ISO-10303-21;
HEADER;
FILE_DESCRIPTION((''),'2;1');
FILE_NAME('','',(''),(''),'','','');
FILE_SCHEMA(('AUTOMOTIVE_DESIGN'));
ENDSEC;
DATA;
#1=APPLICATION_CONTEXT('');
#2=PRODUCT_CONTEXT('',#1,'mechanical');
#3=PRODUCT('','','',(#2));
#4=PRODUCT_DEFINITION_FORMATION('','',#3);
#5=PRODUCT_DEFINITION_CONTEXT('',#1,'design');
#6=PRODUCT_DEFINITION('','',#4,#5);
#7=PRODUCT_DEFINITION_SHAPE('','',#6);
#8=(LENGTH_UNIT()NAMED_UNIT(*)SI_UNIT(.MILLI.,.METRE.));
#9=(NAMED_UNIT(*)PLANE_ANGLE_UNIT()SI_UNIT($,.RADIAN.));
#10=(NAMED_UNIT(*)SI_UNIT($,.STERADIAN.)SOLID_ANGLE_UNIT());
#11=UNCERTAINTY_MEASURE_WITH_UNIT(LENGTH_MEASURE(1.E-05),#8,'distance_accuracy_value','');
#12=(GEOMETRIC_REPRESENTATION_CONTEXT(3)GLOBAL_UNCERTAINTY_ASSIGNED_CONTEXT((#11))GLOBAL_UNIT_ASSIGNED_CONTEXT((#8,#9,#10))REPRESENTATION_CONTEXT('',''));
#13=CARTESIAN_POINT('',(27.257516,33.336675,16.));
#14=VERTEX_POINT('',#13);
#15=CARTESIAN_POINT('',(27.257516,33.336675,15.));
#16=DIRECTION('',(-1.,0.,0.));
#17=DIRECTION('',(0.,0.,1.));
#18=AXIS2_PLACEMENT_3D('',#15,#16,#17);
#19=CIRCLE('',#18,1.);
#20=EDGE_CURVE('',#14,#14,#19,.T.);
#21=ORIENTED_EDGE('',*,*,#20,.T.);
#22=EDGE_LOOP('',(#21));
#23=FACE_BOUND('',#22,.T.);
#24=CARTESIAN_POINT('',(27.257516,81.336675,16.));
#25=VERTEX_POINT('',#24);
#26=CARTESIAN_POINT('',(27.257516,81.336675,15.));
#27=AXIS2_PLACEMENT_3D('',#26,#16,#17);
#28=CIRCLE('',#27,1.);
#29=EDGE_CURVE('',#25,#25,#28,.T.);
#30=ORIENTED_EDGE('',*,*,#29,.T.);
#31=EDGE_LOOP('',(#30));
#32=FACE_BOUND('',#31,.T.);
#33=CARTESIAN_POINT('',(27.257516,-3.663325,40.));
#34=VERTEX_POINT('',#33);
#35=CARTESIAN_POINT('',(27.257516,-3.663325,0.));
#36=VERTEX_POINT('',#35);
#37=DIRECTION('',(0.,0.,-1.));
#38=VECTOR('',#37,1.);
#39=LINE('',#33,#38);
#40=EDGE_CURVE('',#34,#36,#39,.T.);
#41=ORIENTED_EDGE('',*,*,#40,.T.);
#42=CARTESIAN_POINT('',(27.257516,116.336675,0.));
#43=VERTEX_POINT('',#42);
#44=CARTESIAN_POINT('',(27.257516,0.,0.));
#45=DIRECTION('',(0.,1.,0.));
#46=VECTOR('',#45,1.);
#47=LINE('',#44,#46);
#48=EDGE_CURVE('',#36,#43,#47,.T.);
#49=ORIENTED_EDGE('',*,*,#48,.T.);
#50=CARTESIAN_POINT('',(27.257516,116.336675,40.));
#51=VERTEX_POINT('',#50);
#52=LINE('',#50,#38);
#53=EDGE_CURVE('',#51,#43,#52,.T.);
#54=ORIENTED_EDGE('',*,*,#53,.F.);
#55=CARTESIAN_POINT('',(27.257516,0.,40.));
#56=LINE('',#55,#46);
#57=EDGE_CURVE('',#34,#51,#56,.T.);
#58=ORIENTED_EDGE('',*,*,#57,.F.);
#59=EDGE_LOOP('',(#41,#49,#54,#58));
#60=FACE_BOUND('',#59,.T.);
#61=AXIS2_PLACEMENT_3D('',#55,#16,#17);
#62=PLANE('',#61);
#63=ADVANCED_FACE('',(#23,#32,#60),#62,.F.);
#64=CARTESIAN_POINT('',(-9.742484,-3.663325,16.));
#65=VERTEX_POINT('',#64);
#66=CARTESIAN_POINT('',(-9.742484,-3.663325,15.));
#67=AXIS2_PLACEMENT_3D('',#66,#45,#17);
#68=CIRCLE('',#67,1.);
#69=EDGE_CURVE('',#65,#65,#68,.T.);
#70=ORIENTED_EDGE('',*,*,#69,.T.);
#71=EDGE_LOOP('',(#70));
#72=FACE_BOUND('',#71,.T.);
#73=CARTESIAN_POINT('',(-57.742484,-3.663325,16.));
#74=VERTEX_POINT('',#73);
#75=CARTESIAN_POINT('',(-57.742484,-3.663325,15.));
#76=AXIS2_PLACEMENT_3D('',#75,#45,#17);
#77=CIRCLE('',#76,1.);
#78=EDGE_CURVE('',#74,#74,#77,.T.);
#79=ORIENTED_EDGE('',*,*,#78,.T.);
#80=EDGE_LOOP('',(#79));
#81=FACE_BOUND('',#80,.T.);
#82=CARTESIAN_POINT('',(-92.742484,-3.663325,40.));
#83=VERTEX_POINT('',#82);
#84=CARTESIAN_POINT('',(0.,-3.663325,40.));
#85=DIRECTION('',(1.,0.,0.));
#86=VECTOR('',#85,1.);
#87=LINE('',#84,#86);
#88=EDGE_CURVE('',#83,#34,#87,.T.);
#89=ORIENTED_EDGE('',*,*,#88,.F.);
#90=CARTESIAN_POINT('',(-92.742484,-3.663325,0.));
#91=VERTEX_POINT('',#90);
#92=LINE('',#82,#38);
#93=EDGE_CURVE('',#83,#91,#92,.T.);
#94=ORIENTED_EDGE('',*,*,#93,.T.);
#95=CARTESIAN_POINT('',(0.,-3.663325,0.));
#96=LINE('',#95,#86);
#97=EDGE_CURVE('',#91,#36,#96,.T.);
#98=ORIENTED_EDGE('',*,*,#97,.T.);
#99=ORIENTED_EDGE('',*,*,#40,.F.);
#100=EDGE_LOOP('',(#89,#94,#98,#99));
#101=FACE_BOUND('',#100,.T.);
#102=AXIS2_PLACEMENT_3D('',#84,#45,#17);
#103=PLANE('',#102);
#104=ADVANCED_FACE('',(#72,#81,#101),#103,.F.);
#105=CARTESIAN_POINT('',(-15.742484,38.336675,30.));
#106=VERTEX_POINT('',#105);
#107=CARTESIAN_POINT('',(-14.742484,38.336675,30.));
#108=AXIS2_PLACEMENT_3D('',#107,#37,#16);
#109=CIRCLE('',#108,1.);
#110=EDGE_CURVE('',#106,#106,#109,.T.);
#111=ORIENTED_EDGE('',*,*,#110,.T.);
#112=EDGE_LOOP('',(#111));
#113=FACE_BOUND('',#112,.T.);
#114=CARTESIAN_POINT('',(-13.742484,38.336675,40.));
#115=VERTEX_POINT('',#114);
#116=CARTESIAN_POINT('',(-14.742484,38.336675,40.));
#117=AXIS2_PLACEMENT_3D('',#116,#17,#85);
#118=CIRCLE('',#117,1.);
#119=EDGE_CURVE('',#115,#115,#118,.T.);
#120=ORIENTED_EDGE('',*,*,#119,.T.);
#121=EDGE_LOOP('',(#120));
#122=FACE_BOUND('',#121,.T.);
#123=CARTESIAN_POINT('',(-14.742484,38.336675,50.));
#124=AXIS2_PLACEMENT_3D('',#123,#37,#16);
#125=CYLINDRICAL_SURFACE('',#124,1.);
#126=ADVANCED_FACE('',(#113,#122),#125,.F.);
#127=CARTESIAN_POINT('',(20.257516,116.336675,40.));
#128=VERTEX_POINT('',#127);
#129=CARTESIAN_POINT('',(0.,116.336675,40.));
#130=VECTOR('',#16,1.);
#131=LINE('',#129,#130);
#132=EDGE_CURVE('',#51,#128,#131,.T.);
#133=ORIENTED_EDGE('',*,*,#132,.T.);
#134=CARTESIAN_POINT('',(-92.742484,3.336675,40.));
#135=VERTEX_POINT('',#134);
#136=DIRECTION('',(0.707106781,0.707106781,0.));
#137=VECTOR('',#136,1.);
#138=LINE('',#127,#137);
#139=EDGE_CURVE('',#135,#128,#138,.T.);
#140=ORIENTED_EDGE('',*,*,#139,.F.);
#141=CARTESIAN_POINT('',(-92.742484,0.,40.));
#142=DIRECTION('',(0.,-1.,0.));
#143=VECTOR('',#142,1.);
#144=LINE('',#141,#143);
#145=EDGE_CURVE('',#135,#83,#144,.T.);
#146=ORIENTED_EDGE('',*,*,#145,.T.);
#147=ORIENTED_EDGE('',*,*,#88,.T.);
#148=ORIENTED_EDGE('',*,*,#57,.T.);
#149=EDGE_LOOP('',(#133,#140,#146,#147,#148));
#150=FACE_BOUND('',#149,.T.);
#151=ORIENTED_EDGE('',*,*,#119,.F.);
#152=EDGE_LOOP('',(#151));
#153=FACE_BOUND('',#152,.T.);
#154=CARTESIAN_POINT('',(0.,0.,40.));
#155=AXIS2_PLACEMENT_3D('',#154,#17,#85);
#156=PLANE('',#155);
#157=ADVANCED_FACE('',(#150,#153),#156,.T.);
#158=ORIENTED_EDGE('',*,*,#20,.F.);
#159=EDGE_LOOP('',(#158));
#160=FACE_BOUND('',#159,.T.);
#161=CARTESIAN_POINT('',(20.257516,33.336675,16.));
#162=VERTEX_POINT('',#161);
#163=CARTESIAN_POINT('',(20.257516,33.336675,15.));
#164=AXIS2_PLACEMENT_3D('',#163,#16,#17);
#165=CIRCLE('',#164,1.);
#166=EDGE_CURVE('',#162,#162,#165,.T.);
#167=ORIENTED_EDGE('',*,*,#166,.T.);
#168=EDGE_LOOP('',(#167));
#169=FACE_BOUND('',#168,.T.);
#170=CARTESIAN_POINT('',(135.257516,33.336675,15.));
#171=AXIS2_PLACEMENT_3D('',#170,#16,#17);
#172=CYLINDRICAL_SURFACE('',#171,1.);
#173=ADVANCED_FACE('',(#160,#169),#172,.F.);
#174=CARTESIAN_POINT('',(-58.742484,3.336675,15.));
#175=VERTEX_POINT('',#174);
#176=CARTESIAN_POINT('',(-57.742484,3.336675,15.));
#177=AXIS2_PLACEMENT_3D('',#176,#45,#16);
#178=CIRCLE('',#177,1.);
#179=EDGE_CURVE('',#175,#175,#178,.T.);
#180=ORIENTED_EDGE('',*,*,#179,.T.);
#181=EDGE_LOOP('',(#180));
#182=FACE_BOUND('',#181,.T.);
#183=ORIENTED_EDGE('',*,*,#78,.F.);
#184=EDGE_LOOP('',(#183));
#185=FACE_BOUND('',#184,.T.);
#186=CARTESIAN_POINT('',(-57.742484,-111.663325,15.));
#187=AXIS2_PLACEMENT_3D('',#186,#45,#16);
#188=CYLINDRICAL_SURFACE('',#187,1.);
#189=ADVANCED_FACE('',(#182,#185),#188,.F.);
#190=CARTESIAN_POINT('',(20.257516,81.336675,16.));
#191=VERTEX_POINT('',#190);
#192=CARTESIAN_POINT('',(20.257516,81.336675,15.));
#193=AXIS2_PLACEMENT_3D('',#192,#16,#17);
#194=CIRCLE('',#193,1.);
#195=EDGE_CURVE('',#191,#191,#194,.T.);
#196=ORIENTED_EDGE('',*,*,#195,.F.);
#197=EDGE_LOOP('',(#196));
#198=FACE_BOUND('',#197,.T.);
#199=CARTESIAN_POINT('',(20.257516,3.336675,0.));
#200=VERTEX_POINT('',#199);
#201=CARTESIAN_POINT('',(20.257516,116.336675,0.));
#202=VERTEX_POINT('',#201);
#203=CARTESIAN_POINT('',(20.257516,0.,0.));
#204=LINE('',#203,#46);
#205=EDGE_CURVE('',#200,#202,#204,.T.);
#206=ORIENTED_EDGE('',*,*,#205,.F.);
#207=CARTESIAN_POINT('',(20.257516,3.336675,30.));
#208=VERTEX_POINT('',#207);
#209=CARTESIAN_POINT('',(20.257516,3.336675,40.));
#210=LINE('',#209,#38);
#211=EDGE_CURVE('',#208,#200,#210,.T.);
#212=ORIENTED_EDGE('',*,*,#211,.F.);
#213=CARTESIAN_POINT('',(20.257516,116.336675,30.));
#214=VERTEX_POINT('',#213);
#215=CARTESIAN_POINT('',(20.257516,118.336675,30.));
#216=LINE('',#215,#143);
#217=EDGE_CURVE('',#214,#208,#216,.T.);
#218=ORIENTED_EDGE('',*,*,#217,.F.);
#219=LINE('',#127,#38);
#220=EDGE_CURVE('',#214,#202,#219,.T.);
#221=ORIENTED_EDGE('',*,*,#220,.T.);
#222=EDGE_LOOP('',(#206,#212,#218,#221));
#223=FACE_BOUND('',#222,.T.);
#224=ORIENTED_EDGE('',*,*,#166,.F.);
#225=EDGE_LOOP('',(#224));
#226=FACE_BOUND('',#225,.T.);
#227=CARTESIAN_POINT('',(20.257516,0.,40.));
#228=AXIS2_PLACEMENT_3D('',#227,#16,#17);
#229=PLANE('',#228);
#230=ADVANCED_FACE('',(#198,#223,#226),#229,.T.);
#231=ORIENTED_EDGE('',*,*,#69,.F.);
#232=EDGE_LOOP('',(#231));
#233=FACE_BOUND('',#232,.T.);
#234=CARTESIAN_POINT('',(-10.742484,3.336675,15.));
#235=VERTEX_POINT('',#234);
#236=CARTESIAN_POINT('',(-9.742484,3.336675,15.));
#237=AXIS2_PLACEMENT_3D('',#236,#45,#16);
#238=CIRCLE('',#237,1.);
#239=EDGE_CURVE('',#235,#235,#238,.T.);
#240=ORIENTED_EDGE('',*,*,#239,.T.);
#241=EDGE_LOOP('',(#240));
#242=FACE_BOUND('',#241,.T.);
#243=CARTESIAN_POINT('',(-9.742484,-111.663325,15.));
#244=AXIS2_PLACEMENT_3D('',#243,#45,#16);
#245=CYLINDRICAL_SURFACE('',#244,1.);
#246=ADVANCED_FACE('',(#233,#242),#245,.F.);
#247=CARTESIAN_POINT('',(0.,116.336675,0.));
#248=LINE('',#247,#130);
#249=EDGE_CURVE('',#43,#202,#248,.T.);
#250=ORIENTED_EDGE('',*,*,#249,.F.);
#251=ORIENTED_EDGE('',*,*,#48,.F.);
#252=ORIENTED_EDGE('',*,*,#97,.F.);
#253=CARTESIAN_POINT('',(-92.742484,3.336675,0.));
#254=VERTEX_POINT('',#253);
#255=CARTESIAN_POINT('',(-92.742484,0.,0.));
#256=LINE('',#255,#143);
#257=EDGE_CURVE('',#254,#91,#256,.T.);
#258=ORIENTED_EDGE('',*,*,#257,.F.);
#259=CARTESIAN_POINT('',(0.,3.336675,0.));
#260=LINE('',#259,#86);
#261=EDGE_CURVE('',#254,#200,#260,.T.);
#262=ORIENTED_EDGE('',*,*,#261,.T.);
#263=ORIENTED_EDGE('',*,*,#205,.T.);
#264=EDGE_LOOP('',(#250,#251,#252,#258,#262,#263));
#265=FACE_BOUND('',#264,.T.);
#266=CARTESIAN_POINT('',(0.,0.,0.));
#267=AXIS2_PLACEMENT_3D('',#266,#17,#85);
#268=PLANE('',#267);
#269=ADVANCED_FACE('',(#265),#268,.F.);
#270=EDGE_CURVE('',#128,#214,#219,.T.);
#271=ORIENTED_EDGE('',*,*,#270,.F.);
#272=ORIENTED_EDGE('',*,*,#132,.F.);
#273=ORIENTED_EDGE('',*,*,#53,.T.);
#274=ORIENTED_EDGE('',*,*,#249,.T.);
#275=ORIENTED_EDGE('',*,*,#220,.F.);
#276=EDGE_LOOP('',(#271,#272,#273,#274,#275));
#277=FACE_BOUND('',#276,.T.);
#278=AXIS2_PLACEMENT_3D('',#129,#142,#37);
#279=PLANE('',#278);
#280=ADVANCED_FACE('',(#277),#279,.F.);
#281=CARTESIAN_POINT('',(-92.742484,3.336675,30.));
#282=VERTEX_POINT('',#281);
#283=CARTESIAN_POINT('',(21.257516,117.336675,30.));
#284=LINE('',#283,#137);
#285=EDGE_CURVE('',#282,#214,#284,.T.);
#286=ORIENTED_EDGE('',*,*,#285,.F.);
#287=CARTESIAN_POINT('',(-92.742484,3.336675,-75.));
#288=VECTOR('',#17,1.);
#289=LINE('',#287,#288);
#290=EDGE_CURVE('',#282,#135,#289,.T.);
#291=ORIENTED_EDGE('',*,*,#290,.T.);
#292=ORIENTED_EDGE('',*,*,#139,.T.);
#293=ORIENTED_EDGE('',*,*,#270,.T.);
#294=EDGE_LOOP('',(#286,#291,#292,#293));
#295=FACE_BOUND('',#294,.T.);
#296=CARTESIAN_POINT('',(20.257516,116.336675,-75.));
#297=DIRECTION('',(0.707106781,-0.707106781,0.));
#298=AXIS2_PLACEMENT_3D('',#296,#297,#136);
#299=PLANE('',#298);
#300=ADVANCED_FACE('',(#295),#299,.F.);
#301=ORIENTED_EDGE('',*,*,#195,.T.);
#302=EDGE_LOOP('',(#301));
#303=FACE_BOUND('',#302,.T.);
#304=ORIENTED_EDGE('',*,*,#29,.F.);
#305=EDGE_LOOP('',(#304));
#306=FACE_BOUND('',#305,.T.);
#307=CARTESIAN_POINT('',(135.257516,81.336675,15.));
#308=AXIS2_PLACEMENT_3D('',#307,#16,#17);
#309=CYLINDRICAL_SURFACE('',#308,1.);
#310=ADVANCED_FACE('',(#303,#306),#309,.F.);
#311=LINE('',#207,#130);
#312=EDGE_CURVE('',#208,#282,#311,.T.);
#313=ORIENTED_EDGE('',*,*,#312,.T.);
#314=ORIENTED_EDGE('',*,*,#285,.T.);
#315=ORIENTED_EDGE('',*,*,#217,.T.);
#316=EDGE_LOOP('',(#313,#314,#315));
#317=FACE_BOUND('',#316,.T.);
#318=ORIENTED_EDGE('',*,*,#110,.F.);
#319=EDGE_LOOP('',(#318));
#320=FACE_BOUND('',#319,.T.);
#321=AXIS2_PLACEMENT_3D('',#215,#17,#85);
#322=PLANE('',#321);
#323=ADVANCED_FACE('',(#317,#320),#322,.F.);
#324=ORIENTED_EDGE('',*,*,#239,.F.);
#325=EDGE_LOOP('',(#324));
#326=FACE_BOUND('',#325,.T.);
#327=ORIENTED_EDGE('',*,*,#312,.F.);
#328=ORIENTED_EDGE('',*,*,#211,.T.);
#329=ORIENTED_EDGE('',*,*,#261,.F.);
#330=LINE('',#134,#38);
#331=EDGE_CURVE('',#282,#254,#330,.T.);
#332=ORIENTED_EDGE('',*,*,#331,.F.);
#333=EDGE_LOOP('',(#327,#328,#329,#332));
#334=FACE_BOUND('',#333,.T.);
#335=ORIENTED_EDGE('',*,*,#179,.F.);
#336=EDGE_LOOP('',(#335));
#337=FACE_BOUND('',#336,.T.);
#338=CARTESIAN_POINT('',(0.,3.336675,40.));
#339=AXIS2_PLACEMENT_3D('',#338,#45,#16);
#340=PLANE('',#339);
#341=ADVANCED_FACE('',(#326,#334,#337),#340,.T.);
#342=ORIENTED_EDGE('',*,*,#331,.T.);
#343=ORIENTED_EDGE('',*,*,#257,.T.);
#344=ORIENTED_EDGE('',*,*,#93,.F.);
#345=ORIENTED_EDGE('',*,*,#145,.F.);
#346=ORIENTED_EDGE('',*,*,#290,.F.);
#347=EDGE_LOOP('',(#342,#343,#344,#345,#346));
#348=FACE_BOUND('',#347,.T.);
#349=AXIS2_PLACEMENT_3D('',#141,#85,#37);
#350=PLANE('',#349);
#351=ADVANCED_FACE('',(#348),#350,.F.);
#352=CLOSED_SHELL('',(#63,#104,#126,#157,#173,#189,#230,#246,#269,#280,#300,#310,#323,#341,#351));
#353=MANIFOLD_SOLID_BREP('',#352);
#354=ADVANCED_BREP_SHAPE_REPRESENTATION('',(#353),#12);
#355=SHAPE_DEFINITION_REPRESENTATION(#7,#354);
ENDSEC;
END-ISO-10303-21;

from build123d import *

# Parameters (mm, degrees)
ESQUISSE1_W             = 7
ESQUISSE1_H             = 113
ESQUISSE1_W_2           = 120
ESQUISSE1_H_2           = 7
BOSS_EXTRU_2_DEPTH      = 40
ESQUISSE4_W             = 113
ESQUISSE4_H             = 10
BOSS_EXTRU_8_DEPTH      = 115
ENL_V_MAT_EXTRU_2_DEPTH = 115
ESQUISSE2_R             = 1
ENL_V_MAT_EXTRU_4_DEPTH = 115
ESQUISSE7_R             = 1
ENL_V_MAT_EXTRU_5_DEPTH = 115
ESQUISSE8_R             = 1
ENL_V_MAT_EXTRU_6_DEPTH = 115
ESQUISSE9_R             = 1
ENL_V_MAT_EXTRU_7_DEPTH = 115
ESQUISSE10_R            = 1
ENL_V_MAT_EXTRU_8_DEPTH = 20


with BuildPart() as part:
    # Esquisse1 → Boss.-Extru.2 (new body)
    with BuildSketch(Plane.XY):
        with Locations((23.75751598, 59.836675468)):
            Rectangle(ESQUISSE1_W, ESQUISSE1_H)
        with Locations((-32.74248402, -0.163324532)):
            Rectangle(ESQUISSE1_W_2, ESQUISSE1_H_2)
    extrude(amount=BOSS_EXTRU_2_DEPTH)

    # Esquisse4 → Boss.-Extru.8 (add)
    with BuildSketch(Plane(origin=(0, 3.336675468, 0), x_dir=(1, 0, 0), z_dir=(0, 1, 0))):
        with Locations((-36.24248402, -35)):
            Rectangle(ESQUISSE4_W, ESQUISSE4_H)
    extrude(amount=BOSS_EXTRU_8_DEPTH)

    # Esquisse6 → Enlèv. mat.-Extru.2 (cut)
    with BuildSketch(Plane.XY.offset(40)):
        Polygon((20.25751598, 116.336675468), (-92.74248402, 3.336675468), (-92.74248402, 118.336675468), (20.25751598, 118.336675468), align=None)
    extrude(amount=-ENL_V_MAT_EXTRU_2_DEPTH, mode=Mode.SUBTRACT)

    # Esquisse2 → Enlèv. mat.-Extru.4 (cut)
    with BuildSketch(Plane(origin=(0, 3.336675468, 0), x_dir=(1, 0, 0), z_dir=(0, 1, 0))):
        with Locations(Location((-57.74248402, -15, 0), (0, 0, 180))):  # turned: the seam where the file's is
            Circle(ESQUISSE2_R)
    extrude(amount=-ENL_V_MAT_EXTRU_4_DEPTH, mode=Mode.SUBTRACT)

    # Esquisse7 → Enlèv. mat.-Extru.5 (cut)
    with BuildSketch(Plane(origin=(0, 3.336675468, 0), x_dir=(1, 0, 0), z_dir=(0, 1, 0))):
        with Locations(Location((-9.74248402, -15, 0), (0, 0, 180))):  # turned: the seam where the file's is
            Circle(ESQUISSE7_R)
    extrude(amount=-ENL_V_MAT_EXTRU_5_DEPTH, mode=Mode.SUBTRACT)

    # Esquisse8 → Enlèv. mat.-Extru.6 (cut)
    with BuildSketch(Plane.ZY.offset(-20.25751598)):
        with Locations((15, 81.336675468)):
            Circle(ESQUISSE8_R)
    extrude(amount=-ENL_V_MAT_EXTRU_6_DEPTH, mode=Mode.SUBTRACT)

    # Esquisse9 → Enlèv. mat.-Extru.7 (cut)
    with BuildSketch(Plane.ZY.offset(-20.25751598)):
        with Locations((15, 33.336675468)):
            Circle(ESQUISSE9_R)
    extrude(amount=-ENL_V_MAT_EXTRU_7_DEPTH, mode=Mode.SUBTRACT)

    # Esquisse10 → Enlèv. mat.-Extru.8 (cut)
    with BuildSketch(Plane(origin=(0, 0, 30), x_dir=(-1, 0, 0), z_dir=(0, 0, -1))):
        with Locations((14.74248402, 38.336675468)):
            Circle(ESQUISSE10_R)
    extrude(amount=-ENL_V_MAT_EXTRU_8_DEPTH, mode=Mode.SUBTRACT)


solid = part.part
